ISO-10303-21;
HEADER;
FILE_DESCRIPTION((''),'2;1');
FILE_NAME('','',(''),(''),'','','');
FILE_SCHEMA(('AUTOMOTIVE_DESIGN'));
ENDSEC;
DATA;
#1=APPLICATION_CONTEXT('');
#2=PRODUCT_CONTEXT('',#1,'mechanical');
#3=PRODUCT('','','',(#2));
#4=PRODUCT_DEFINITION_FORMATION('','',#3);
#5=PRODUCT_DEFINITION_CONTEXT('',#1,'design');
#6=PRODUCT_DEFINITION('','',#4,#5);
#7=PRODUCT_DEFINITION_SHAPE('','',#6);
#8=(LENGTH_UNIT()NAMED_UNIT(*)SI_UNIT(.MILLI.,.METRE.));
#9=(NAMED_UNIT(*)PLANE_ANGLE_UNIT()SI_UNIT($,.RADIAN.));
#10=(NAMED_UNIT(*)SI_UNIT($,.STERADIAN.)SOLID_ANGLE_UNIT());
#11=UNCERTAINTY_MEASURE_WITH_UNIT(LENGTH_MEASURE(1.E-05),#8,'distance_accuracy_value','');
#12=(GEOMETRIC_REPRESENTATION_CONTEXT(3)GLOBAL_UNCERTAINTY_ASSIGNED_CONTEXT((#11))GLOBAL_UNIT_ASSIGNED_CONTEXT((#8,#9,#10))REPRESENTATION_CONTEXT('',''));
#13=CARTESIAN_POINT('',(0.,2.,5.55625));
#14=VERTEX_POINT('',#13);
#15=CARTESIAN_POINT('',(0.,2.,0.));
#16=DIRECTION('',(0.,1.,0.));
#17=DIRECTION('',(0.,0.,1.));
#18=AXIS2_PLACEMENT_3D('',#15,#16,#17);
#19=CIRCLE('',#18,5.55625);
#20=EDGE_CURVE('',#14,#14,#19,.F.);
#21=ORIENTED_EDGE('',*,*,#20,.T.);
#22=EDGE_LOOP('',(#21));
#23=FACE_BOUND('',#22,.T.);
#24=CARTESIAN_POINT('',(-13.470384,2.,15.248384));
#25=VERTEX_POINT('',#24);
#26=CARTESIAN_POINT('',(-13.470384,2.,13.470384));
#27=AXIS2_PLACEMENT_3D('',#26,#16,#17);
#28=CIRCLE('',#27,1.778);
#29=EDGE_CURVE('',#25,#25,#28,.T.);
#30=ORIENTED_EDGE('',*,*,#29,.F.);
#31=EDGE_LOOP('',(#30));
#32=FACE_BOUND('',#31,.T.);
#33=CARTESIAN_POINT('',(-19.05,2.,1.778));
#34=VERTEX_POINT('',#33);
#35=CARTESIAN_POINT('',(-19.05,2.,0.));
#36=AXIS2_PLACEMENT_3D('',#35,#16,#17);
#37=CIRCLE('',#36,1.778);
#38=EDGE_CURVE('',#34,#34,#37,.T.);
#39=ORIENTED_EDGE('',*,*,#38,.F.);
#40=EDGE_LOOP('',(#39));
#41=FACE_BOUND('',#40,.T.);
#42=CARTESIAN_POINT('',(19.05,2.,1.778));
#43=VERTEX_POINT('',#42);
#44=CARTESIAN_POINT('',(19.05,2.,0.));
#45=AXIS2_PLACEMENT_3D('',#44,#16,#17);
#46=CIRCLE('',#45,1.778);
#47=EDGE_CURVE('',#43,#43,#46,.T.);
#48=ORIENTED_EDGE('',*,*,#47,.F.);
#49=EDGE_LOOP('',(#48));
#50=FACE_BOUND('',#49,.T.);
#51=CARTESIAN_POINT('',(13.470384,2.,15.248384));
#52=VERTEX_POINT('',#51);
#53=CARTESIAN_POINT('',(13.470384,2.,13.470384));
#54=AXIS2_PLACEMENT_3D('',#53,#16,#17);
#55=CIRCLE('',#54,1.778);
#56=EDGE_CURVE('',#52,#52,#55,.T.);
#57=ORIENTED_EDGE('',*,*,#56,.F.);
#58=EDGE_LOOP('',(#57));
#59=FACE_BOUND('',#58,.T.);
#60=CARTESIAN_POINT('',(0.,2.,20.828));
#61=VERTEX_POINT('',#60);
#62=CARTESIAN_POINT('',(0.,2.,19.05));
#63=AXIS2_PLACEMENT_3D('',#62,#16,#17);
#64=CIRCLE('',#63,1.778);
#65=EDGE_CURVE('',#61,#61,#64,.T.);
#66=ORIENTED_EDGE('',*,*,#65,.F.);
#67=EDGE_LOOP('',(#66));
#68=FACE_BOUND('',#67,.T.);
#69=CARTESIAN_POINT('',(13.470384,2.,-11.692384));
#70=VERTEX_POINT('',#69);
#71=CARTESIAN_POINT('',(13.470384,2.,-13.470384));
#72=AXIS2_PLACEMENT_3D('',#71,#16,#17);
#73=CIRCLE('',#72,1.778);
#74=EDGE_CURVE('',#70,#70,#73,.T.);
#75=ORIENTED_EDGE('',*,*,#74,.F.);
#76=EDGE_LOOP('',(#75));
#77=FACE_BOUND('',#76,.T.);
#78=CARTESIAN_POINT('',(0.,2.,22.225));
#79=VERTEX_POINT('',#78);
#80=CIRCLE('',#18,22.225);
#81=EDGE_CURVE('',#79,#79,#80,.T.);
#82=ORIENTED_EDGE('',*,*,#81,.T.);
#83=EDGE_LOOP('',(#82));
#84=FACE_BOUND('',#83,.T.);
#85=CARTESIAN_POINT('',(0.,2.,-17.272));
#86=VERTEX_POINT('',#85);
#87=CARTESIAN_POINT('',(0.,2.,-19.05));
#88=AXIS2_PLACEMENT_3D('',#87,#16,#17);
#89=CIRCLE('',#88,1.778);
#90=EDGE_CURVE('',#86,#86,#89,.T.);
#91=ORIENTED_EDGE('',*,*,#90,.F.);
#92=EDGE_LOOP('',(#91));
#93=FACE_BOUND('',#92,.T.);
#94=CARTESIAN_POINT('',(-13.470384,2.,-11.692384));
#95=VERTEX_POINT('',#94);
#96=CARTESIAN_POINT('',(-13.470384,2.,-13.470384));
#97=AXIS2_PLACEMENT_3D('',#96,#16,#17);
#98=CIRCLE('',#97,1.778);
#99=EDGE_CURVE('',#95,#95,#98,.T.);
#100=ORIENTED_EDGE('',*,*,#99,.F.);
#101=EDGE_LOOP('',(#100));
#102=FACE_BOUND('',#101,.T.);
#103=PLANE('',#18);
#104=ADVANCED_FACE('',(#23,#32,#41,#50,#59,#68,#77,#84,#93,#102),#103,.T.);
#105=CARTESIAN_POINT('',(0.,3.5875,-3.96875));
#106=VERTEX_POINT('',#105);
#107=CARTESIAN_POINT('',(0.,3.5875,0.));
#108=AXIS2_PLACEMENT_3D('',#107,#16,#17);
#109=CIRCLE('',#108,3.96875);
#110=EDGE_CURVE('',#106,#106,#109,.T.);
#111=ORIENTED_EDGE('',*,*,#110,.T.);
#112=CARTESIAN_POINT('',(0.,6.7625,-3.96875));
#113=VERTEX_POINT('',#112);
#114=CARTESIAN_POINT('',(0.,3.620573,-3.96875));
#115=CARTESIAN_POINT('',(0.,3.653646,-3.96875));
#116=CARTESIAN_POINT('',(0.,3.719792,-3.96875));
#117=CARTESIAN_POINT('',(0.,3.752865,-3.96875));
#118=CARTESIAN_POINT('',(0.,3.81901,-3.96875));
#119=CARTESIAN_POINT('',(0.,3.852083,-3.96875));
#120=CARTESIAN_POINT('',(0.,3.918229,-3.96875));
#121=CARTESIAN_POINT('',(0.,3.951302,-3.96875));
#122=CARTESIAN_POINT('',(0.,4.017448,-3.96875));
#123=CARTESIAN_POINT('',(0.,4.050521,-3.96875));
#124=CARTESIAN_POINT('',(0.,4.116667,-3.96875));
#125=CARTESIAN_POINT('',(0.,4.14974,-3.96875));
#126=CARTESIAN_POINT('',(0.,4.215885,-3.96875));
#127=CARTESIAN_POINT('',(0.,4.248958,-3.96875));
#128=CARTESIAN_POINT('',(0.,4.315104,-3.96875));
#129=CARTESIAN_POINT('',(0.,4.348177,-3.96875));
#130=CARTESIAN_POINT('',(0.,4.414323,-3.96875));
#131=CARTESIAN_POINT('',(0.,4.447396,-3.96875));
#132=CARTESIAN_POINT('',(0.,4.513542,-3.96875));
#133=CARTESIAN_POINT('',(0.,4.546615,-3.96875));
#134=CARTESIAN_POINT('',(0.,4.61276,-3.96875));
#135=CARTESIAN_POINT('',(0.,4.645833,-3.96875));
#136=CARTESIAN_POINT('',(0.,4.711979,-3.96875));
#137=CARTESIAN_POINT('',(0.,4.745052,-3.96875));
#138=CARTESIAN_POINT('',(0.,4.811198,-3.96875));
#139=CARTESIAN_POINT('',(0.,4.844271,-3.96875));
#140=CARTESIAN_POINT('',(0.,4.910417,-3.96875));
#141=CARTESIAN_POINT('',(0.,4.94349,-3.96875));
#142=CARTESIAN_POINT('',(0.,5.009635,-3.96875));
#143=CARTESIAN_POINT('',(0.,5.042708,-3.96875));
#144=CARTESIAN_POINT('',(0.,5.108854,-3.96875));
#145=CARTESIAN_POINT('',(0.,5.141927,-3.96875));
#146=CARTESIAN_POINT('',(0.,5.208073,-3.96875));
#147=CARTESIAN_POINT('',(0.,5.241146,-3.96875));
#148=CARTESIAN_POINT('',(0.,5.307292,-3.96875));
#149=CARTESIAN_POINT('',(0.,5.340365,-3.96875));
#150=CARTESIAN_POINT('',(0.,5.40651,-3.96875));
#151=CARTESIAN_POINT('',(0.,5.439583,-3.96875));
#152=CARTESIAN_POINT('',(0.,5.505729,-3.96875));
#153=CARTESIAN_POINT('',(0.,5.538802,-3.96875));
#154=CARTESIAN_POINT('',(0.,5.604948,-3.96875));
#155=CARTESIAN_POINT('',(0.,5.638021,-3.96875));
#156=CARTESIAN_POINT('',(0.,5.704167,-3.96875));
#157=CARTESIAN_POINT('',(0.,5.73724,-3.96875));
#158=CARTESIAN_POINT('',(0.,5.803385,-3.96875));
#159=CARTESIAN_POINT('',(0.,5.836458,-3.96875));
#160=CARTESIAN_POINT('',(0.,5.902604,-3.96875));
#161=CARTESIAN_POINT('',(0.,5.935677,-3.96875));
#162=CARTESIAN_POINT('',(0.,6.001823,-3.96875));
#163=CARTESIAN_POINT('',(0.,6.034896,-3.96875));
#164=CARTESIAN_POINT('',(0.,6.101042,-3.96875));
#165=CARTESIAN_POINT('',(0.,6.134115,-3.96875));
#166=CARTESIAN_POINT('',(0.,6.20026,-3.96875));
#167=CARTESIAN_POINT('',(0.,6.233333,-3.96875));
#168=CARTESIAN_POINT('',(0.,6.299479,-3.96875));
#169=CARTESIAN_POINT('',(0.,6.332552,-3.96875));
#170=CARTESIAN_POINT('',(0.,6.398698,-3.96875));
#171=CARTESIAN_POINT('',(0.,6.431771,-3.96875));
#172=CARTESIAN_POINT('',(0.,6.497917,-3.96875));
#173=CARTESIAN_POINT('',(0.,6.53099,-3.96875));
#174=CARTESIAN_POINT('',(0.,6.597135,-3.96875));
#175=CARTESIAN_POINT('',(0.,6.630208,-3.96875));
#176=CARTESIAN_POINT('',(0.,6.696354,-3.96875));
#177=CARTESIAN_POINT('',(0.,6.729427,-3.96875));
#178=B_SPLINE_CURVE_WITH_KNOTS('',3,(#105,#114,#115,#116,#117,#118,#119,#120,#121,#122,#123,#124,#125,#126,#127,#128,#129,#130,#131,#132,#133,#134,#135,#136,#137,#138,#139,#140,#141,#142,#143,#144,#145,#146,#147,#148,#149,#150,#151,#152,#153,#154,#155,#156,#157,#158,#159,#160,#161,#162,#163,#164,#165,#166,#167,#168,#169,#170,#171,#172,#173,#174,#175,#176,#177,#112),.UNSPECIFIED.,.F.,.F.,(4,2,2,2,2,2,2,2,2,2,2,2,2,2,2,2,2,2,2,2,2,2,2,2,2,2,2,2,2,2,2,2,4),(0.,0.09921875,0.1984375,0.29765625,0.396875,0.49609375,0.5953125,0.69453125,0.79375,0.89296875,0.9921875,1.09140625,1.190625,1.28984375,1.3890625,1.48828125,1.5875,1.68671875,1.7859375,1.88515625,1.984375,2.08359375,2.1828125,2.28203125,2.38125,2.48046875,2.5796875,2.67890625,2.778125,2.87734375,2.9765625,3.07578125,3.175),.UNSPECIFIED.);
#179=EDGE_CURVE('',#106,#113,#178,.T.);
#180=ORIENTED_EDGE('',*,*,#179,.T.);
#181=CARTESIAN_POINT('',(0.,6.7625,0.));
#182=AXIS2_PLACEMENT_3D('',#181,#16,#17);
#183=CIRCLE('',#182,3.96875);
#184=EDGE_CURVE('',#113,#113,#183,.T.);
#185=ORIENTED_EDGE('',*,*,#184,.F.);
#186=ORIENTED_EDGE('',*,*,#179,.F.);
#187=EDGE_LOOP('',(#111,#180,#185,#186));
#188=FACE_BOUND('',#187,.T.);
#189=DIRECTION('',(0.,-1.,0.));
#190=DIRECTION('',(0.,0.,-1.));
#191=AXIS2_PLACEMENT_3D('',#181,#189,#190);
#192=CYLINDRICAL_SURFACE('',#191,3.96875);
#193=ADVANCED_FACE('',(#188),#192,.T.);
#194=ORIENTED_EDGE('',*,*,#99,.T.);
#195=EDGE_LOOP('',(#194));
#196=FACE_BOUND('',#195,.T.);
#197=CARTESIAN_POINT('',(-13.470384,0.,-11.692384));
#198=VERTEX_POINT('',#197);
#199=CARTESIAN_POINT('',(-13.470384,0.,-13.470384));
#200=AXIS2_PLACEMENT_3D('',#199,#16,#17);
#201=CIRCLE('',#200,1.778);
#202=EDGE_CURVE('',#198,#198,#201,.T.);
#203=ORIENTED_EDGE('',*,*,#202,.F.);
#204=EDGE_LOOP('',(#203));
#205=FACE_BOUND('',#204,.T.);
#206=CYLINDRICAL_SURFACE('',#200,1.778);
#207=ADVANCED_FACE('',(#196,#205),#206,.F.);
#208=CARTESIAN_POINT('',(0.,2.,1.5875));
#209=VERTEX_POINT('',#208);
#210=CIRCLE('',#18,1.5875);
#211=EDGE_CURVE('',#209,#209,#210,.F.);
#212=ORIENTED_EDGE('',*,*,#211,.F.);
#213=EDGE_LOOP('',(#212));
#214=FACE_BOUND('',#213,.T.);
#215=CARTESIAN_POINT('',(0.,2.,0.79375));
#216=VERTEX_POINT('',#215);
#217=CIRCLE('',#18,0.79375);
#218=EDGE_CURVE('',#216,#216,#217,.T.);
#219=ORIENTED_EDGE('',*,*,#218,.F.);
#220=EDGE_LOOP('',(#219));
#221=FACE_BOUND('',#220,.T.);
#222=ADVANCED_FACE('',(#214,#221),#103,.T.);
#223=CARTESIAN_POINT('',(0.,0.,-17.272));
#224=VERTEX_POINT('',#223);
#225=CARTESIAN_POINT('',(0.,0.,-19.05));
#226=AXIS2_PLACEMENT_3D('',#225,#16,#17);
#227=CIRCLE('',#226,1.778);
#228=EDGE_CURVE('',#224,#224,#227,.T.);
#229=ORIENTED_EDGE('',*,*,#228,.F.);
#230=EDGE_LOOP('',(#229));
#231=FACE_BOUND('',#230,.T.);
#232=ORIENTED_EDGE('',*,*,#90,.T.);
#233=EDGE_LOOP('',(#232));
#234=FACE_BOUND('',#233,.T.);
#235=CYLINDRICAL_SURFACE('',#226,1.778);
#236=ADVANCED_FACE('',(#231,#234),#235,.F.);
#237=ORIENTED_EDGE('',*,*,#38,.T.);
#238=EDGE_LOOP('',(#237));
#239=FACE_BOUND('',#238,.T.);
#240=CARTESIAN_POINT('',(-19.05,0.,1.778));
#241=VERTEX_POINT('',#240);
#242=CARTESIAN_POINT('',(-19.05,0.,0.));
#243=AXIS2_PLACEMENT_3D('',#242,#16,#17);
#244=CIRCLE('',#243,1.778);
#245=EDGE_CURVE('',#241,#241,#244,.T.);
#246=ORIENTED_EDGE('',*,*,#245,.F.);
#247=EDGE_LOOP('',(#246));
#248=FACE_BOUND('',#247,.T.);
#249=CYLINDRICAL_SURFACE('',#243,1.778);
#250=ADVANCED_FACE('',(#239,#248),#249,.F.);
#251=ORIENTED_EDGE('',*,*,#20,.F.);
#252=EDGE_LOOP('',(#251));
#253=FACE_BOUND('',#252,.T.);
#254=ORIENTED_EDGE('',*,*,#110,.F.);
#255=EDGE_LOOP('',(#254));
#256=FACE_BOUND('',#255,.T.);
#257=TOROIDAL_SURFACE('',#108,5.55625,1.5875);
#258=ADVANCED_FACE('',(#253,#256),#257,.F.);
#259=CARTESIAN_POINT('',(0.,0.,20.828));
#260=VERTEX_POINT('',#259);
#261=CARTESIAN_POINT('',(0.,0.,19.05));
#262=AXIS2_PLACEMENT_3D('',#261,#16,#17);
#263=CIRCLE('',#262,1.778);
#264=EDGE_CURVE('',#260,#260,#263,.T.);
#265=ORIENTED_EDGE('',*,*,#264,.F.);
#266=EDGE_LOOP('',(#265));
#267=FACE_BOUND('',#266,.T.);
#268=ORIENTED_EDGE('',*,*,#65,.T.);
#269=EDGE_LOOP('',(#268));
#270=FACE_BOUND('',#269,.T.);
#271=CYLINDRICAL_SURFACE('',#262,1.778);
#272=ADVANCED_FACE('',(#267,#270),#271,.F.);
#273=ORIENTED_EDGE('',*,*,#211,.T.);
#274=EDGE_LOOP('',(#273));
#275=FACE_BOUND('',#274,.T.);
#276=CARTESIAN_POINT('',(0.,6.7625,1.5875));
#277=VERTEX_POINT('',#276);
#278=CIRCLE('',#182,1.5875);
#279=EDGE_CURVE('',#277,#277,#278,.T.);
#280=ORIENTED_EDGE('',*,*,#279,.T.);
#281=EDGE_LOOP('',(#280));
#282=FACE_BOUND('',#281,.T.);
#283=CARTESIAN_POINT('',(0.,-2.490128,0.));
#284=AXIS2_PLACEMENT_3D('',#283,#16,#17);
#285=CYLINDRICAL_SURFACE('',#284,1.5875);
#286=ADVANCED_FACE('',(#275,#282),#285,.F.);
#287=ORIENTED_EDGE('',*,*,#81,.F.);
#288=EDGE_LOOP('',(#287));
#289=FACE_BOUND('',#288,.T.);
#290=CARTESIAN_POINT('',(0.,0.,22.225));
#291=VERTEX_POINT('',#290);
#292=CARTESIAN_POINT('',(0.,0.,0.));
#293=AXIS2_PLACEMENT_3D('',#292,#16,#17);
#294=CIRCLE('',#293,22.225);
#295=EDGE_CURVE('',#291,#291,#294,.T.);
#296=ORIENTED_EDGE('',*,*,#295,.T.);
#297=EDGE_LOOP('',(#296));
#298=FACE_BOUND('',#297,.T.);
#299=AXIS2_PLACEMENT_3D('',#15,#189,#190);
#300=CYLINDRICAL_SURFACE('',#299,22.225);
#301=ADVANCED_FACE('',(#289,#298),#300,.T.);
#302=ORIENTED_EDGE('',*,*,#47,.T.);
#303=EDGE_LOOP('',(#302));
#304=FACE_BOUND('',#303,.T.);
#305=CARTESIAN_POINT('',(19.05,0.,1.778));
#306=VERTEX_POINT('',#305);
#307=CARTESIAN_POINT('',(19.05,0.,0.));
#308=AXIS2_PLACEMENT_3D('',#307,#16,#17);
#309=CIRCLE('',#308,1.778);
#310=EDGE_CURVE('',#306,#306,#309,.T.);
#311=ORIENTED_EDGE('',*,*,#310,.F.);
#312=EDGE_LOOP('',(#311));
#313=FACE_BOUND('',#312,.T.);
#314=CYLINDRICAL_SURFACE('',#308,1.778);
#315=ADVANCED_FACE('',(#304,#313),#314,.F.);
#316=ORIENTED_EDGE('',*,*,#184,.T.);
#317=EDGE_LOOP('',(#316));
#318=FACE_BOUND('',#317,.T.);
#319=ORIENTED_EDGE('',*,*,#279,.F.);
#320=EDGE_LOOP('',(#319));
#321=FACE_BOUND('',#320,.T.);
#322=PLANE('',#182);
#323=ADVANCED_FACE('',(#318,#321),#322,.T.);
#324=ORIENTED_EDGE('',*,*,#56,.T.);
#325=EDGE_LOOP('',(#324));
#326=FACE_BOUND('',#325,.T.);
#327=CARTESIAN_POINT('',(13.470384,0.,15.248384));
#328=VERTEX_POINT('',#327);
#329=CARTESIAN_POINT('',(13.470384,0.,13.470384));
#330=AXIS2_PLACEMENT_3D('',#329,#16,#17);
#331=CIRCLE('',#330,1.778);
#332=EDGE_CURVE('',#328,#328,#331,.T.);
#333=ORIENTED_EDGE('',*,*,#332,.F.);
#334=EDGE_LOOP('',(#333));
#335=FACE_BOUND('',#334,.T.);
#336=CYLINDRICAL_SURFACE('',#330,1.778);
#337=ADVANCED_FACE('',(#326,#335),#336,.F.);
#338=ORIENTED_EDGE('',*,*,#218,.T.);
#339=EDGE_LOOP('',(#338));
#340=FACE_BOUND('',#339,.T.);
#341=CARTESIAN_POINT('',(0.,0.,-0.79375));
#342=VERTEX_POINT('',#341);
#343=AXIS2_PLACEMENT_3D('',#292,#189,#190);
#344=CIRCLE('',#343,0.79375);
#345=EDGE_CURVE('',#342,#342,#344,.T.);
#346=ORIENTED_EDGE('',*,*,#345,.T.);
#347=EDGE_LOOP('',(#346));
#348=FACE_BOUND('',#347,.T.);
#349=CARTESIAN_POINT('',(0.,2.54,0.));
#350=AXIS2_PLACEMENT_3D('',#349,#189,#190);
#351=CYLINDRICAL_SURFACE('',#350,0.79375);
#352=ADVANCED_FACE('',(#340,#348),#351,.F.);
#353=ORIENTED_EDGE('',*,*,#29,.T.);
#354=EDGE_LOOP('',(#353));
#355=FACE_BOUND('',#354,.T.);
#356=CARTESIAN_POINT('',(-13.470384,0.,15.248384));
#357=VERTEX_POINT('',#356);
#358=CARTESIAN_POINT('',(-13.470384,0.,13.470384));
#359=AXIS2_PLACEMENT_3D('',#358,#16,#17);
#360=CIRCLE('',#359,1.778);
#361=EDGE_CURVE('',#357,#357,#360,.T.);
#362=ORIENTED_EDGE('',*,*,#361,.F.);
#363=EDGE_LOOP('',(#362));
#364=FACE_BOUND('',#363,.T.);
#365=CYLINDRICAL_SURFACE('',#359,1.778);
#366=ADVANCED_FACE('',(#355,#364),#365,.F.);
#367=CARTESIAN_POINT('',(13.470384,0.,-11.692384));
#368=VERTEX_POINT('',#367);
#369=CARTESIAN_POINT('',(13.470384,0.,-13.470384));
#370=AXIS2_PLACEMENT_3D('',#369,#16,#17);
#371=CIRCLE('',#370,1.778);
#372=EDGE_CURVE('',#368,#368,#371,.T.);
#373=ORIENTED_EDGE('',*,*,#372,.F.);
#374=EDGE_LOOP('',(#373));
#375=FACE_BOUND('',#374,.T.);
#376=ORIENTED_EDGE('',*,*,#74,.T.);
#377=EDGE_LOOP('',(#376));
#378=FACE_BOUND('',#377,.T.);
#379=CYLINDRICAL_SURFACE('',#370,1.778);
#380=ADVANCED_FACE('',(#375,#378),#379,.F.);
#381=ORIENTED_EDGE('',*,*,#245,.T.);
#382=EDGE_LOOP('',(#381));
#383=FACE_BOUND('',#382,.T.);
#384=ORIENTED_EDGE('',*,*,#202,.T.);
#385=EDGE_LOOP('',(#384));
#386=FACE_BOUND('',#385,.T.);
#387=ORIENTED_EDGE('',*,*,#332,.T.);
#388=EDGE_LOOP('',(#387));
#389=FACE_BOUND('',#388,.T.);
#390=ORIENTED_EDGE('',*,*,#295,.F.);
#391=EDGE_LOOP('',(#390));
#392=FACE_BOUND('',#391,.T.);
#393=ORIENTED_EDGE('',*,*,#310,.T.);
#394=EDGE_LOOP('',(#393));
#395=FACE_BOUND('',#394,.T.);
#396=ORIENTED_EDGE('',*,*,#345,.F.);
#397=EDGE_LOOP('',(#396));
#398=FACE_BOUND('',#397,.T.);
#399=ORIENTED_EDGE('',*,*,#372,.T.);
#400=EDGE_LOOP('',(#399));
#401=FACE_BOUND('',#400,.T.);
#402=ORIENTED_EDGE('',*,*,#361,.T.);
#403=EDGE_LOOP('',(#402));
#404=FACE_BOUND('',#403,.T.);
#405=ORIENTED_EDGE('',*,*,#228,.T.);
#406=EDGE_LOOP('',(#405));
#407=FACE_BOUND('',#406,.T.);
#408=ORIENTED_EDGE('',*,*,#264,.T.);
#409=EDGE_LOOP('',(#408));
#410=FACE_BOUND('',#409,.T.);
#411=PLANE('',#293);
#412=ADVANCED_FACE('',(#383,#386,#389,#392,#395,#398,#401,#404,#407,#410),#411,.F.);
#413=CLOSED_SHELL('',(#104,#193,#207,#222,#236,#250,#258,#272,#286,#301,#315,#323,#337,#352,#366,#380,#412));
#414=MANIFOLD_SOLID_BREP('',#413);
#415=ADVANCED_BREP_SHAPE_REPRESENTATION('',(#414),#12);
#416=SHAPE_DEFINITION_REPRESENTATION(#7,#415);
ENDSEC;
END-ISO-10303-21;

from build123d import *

# Parameters (mm, degrees)
SKETCH1_R           = 22.225
BOSS_EXTRUDE1_DEPTH = 2
SKETCH2_R           = 1.778
CUT_EXTRUDE1_DEPTH  = 32.494463799
SKETCH3_R           = 3.96875
BOSS_EXTRUDE2_DEPTH = 4.7625
SKETCH4_R           = 1.5875
CUT_EXTRUDE2_DEPTH  = 4.7625
FILLET1_R           = 1.5875
SKETCH5_R           = 0.79375
CUT_EXTRUDE6_DEPTH  = 2.54


with BuildPart() as part:
    # Sketch1 → Boss-Extrude1 (new body)
    with BuildSketch(Plane(origin=(0, 0, 0), x_dir=(1, 0, 0), z_dir=(0, 1, 0))):
        with Locations(Location((0, 0, 0), (0, 0, 270))):
            Circle(SKETCH1_R)
    extrude(amount=BOSS_EXTRUDE1_DEPTH)

    # Sketch2 → Cut-Extrude1 (cut, through all)
    with BuildSketch(Plane(origin=(0, 2, 0), x_dir=(1, 0, 0), z_dir=(0, 1, 0))):
        with Locations(Location((0, 19.05, 0), (0, 0, 270))):
            Circle(SKETCH2_R)
        with Locations(Location((13.470384182, 13.470384182, 0), (0, 0, 270))):
            Circle(SKETCH2_R)
        with Locations(Location((19.05, 0, 0), (0, 0, 270))):
            Circle(SKETCH2_R)
        with Locations(Location((13.470384182, -13.470384182, 0), (0, 0, 270))):
            Circle(SKETCH2_R)
        with Locations(Location((0, -19.05, 0), (0, 0, 270))):
            Circle(SKETCH2_R)
        with Locations(Location((-13.470384182, -13.470384182, 0), (0, 0, 270))):
            Circle(SKETCH2_R)
        with Locations(Location((-19.05, 0, 0), (0, 0, 270))):
            Circle(SKETCH2_R)
        with Locations(Location((-13.470384182, 13.470384182, 0), (0, 0, 270))):
            Circle(SKETCH2_R)
    extrude(amount=-CUT_EXTRUDE1_DEPTH, mode=Mode.SUBTRACT)

    # Sketch3 → Boss-Extrude2 (add)
    with BuildSketch(Plane(origin=(0, 2, 0), x_dir=(1, 0, 0), z_dir=(0, 1, 0))):
        with Locations(Location((0, 0, 0), (0, 0, 90))):
            Circle(SKETCH3_R)
    extrude(amount=BOSS_EXTRUDE2_DEPTH)

    # Sketch4 → Cut-Extrude2 (cut)
    with BuildSketch(Plane(origin=(0, 6.7625, 0), x_dir=(1, 0, 0), z_dir=(0, 1, 0))):
        with Locations(Location((0, 0, 0), (0, 0, 270))):
            Circle(SKETCH4_R)
    extrude(amount=-CUT_EXTRUDE2_DEPTH, mode=Mode.SUBTRACT)

    # Fillet1
    fillet1_edges = [part.edges().sort_by_distance(p)[0] for p in [
        (0, 2, 3.96875),
    ]]
    fillet(fillet1_edges, radius=FILLET1_R)

    # Sketch5 → Cut-Extrude6 (cut)
    with BuildSketch(Plane(origin=(0, 0, 0), x_dir=(-1, 0, 0), z_dir=(0, -1, 0))):
        with Locations(Location((0, 0, 0), (0, 0, 90))):
            Circle(SKETCH5_R)
    extrude(amount=-CUT_EXTRUDE6_DEPTH, mode=Mode.SUBTRACT)


solid = part.part
